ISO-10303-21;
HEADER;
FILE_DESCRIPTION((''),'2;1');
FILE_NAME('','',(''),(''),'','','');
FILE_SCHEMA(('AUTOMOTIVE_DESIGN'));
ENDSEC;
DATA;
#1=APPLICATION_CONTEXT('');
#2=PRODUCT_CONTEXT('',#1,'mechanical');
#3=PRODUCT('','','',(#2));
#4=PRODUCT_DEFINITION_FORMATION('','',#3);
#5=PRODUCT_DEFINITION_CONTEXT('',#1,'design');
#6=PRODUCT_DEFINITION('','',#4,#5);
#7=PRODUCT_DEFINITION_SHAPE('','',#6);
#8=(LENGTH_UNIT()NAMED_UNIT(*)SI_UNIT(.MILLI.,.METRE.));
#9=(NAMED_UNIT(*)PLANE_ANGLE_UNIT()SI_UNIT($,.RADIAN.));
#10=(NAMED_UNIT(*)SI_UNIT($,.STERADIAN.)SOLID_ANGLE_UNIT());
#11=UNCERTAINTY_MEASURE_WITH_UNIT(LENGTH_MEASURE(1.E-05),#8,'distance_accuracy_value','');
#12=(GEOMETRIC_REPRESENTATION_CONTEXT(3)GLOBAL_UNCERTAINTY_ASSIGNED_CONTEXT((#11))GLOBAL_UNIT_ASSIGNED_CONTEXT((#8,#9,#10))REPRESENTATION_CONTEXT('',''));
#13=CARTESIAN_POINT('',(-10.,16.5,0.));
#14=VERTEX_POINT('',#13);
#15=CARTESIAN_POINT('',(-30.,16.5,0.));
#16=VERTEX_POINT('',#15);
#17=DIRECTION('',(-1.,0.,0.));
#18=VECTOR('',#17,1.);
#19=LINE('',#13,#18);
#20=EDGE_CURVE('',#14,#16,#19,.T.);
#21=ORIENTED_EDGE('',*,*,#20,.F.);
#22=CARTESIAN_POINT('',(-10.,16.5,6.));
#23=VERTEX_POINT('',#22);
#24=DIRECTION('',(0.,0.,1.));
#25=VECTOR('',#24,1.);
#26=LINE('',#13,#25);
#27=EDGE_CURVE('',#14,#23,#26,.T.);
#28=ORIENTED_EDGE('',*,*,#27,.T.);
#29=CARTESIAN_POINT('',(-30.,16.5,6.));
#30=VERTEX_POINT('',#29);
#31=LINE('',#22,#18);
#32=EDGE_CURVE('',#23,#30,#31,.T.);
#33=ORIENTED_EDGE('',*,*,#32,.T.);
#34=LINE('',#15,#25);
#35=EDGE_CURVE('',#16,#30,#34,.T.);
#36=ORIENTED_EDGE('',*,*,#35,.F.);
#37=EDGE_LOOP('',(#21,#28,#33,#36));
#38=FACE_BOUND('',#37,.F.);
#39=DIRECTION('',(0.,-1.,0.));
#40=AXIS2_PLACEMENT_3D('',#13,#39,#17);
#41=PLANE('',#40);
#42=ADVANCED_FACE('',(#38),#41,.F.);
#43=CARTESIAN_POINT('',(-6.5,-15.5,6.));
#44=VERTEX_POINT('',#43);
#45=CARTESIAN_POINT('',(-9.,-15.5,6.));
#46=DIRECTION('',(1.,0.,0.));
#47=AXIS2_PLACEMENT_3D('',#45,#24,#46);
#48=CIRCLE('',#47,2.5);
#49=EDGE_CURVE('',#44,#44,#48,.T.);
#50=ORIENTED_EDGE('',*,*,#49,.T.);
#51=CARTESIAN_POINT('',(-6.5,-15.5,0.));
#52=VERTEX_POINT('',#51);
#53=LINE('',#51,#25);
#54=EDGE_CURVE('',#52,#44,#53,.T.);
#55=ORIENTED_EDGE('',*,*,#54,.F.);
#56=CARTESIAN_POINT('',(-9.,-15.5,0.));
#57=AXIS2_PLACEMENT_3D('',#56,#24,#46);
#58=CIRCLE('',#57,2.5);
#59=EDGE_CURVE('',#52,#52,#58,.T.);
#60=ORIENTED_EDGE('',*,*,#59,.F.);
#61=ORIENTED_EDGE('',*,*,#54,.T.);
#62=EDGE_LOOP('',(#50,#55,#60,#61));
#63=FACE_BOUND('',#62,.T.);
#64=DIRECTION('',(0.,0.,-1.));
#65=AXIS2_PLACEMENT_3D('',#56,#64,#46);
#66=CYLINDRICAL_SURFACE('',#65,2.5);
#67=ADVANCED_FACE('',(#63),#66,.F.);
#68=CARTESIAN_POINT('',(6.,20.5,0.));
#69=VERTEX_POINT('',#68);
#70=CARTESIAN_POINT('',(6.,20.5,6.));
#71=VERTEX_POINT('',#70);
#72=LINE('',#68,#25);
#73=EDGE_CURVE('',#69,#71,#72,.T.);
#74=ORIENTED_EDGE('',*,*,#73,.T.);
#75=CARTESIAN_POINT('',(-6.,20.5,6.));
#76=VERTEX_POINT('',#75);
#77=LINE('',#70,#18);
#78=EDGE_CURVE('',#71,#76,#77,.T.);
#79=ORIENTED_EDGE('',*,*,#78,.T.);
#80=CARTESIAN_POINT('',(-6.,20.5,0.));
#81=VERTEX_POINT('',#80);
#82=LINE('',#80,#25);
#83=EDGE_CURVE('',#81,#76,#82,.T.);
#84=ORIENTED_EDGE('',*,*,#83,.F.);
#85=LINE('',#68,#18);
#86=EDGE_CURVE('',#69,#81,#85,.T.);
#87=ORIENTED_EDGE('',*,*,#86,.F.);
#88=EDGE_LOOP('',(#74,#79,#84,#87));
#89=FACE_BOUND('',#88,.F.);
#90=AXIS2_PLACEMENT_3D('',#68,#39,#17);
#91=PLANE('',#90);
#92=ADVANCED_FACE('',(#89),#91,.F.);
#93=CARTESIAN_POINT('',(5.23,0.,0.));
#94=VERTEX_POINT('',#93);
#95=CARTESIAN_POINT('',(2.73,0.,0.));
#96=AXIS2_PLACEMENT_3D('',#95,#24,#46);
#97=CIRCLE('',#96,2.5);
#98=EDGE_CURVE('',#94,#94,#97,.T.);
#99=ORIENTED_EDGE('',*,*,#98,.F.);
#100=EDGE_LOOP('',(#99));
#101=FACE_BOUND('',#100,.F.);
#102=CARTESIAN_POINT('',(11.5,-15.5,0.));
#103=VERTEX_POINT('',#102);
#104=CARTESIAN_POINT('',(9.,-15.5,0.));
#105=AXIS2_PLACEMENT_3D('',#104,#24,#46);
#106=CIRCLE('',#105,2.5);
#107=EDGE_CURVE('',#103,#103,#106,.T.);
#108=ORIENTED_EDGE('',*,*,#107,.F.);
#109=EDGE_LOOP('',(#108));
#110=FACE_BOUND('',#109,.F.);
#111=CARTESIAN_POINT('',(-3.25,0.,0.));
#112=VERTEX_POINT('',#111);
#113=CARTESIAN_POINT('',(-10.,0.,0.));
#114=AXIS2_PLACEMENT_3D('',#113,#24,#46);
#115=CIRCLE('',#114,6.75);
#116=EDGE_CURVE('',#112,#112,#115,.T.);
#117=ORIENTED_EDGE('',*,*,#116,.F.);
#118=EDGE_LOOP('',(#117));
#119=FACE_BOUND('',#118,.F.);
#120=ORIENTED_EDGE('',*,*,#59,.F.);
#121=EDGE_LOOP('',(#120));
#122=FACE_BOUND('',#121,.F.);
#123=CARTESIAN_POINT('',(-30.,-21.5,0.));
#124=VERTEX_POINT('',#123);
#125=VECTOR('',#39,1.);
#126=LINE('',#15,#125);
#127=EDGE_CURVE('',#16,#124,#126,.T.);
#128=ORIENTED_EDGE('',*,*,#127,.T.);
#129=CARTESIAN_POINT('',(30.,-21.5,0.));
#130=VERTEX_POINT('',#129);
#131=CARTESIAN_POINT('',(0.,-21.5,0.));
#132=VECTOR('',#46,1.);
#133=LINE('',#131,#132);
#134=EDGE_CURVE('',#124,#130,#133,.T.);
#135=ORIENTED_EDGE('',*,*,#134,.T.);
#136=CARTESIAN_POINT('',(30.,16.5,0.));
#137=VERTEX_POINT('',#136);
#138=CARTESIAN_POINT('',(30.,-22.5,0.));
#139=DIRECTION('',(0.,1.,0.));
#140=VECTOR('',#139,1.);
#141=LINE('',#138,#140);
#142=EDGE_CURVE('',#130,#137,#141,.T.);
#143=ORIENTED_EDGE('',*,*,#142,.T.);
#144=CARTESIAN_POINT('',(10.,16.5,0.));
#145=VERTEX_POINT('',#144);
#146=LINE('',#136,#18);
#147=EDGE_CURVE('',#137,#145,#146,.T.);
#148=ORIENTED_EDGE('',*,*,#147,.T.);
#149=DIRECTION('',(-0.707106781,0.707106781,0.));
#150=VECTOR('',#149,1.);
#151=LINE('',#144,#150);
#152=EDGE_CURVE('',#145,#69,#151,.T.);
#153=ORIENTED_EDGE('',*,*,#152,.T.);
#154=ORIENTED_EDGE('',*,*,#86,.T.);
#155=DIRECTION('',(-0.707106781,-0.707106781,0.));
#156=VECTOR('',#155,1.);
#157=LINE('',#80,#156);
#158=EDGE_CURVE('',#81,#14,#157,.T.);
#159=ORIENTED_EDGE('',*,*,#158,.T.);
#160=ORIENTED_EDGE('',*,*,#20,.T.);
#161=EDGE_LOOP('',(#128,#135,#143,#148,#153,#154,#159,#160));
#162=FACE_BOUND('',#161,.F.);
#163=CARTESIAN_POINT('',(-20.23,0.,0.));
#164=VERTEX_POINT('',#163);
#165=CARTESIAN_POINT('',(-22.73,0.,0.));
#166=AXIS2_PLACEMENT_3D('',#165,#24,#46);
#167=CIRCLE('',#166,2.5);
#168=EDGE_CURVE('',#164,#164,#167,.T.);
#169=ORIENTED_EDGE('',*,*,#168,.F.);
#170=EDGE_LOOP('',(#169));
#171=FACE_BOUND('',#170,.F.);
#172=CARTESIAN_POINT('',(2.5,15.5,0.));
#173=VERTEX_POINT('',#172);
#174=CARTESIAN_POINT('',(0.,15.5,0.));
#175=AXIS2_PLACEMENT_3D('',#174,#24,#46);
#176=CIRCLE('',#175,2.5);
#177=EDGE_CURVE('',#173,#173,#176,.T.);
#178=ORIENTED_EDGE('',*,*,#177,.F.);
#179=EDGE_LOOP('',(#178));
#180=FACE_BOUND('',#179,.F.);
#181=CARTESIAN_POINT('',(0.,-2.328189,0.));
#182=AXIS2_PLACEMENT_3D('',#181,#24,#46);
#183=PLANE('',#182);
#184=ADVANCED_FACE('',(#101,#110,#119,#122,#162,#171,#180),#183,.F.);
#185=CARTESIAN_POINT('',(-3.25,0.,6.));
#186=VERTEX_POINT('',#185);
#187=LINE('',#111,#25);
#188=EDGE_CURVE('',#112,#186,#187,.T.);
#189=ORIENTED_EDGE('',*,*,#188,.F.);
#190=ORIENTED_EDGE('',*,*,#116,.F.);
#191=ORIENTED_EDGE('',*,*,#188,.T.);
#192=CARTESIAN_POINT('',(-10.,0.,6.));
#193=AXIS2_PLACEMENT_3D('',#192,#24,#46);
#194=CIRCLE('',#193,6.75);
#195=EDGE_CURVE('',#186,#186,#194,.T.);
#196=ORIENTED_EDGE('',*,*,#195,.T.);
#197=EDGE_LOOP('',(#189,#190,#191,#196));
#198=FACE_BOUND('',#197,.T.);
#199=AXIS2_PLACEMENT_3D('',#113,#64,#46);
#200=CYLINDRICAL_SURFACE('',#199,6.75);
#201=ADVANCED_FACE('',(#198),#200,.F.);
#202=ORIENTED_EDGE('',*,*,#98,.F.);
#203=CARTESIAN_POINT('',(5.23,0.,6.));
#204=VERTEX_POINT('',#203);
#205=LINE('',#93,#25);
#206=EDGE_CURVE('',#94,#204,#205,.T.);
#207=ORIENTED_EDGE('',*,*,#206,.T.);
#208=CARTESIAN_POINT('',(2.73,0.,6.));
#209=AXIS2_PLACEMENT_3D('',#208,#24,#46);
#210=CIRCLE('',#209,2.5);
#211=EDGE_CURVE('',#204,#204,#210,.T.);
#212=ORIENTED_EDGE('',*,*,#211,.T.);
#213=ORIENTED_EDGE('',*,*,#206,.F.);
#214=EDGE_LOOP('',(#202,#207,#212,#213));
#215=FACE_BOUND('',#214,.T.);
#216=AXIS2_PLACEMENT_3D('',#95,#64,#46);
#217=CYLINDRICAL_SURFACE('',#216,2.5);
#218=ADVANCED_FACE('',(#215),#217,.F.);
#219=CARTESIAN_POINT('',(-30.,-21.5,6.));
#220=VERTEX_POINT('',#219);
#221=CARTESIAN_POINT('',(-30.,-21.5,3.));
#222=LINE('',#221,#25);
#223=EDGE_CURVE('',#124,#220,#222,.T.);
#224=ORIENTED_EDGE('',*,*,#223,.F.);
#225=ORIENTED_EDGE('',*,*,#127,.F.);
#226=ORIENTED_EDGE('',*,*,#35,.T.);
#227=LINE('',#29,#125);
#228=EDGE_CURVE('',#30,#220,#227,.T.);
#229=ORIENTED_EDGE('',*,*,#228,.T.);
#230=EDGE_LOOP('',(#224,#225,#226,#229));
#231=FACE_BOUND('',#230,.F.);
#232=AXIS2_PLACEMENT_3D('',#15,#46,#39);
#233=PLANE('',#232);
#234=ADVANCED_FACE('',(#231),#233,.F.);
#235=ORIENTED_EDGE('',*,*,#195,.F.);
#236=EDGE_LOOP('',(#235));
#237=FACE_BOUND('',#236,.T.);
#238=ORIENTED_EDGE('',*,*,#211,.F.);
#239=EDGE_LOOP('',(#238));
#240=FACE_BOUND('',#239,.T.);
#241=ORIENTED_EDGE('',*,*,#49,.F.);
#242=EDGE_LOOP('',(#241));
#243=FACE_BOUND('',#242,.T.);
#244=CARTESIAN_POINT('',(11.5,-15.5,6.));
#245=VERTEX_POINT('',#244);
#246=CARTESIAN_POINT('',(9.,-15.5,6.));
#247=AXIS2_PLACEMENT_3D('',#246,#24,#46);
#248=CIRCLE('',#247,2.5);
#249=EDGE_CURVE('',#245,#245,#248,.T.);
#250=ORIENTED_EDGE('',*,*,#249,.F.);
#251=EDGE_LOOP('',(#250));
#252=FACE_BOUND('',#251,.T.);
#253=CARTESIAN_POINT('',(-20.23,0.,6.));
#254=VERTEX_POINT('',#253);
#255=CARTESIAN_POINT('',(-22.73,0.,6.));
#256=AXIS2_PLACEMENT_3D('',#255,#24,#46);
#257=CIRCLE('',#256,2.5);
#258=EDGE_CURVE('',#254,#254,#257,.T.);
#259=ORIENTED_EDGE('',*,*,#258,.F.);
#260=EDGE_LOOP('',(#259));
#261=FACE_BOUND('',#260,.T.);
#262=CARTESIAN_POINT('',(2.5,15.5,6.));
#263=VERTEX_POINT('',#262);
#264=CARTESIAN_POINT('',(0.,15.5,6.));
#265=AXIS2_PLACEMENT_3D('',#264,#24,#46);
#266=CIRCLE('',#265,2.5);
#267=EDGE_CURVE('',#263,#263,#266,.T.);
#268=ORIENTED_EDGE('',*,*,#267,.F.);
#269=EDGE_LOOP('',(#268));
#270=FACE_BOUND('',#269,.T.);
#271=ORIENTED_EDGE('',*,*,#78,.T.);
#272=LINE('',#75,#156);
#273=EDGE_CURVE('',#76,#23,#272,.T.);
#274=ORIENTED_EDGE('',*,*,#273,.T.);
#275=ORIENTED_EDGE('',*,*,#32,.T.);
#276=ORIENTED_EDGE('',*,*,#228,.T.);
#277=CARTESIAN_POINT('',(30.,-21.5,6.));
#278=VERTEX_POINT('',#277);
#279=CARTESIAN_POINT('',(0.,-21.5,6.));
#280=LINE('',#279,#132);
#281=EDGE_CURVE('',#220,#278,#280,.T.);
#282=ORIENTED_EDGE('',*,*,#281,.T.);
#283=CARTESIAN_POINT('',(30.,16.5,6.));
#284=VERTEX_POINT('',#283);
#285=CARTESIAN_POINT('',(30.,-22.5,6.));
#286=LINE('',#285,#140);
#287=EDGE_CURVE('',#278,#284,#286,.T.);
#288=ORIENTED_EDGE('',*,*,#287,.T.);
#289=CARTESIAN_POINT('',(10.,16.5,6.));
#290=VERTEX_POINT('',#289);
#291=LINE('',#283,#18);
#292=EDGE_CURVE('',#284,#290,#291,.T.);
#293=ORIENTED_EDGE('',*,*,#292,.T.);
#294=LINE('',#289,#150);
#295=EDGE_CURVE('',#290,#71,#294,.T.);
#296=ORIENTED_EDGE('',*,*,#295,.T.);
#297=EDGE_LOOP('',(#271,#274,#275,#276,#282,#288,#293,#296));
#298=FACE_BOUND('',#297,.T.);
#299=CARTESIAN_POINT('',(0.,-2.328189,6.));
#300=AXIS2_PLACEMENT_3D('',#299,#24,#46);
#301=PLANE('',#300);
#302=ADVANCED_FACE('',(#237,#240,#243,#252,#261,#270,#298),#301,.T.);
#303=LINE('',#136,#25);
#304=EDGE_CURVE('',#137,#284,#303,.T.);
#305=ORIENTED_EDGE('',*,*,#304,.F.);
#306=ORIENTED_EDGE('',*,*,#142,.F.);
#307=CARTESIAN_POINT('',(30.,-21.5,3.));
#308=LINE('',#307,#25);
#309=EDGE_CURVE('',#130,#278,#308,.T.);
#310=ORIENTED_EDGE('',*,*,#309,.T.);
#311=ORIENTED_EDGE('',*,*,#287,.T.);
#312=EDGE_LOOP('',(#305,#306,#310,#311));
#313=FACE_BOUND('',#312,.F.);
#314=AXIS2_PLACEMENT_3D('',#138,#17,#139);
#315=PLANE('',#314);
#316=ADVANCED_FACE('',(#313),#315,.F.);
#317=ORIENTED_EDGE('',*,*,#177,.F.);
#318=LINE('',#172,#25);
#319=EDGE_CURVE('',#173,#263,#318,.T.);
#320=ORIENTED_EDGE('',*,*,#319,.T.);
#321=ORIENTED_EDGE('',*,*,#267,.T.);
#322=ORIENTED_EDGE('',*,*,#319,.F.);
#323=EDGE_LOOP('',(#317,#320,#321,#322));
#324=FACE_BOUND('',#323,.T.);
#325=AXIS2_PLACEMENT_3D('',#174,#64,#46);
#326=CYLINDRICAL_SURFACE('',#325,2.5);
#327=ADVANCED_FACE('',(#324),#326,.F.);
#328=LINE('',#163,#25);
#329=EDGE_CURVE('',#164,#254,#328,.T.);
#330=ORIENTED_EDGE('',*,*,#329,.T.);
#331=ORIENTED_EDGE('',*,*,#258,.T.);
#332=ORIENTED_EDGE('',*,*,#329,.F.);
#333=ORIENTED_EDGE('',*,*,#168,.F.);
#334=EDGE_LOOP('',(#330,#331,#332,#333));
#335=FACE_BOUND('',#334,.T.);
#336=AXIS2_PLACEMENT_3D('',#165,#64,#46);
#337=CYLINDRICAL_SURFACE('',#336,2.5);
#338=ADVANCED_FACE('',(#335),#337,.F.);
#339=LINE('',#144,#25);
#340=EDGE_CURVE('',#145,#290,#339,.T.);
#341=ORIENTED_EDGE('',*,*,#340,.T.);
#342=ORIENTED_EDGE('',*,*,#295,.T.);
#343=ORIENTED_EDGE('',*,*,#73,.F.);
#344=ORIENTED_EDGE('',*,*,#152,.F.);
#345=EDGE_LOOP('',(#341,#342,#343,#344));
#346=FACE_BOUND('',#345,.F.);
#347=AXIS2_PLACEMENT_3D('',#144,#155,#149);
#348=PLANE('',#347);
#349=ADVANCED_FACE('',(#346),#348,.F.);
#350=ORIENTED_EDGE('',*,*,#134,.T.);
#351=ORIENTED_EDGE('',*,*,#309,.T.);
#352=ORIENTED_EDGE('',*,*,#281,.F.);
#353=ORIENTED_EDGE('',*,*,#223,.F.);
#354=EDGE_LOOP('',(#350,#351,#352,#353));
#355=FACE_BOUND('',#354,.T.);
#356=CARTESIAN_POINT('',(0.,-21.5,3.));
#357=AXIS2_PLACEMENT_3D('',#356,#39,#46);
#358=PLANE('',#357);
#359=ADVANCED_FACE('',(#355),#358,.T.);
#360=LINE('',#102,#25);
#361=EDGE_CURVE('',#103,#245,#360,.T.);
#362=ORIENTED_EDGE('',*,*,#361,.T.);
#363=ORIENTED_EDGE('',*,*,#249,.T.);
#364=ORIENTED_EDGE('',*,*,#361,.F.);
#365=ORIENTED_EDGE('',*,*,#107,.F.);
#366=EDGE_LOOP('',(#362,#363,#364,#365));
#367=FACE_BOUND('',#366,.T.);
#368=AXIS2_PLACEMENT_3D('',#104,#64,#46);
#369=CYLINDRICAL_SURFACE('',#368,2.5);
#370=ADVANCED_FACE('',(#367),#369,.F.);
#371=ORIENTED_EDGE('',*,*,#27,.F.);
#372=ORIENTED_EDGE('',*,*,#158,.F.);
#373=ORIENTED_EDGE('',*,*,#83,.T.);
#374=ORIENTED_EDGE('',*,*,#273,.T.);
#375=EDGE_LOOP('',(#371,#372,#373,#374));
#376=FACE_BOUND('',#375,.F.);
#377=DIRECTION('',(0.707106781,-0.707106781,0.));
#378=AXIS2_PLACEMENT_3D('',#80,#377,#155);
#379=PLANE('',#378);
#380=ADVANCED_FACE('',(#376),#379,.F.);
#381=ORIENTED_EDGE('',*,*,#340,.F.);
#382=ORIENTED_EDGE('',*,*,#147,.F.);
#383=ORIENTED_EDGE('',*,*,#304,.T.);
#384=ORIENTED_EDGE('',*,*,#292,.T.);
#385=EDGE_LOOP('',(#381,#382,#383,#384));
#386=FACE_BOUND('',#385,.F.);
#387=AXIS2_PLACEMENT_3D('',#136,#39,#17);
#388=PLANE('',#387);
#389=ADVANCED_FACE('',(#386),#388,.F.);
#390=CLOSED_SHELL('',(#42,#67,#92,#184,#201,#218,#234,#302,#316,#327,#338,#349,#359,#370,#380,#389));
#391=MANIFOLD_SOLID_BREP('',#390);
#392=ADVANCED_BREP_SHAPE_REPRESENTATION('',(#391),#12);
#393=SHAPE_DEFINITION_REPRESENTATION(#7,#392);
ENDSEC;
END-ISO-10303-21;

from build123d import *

# Parameters (mm, degrees)
F0_R      = 2.5
F0_W      = 40
F0_H      = 21
F0_R_2    = 6.75
F1_DEPTH  = 6
F1_FACE_W = 60
F1_FACE_H = 6
F2_DEPTH  = 1


with BuildPart() as f1:
    # F0 (on Top) → F1 (new body)
    with BuildSketch(Plane.XY):
        Polygon((30, 16.5), (20, 16.5), (10, 16.5), (6, 20.5), (-6, 20.5), (-10, 16.5), (-20, 16.5), (-30, 16.5), (-30, 10.5), (-30, -10.5), (-30, -22.5), (-20, -22.5), (20, -22.5), (30, -22.5), (30, -10.5), (30, 10.5), align=None)
        with Locations((-9, -15.5)):
            Circle(F0_R, mode=Mode.SUBTRACT)
        with Locations((9, -15.5)):
            Circle(F0_R, mode=Mode.SUBTRACT)
        with Locations((-22.73, 0)):
            Circle(F0_R, mode=Mode.SUBTRACT)
        Rectangle(F0_W, F0_H, mode=Mode.SUBTRACT)
        with Locations((0, 15.5)):
            Circle(F0_R, mode=Mode.SUBTRACT)
        Rectangle(F0_W, F0_H)
        with Locations((-10, 0)):
            Circle(F0_R_2, mode=Mode.SUBTRACT)
        with Locations((2.73, 0)):
            Circle(F0_R, mode=Mode.SUBTRACT)
    extrude(amount=F1_DEPTH)

    # F1_face (on face) → F2 (cut)
    with BuildSketch(Plane(origin=(0, -22.5, 3), x_dir=(1, 0, 0), z_dir=(0, -1, 0))):
        Rectangle(F1_FACE_W, F1_FACE_H)
    extrude(amount=-F2_DEPTH, mode=Mode.SUBTRACT)


solid = f1.part
